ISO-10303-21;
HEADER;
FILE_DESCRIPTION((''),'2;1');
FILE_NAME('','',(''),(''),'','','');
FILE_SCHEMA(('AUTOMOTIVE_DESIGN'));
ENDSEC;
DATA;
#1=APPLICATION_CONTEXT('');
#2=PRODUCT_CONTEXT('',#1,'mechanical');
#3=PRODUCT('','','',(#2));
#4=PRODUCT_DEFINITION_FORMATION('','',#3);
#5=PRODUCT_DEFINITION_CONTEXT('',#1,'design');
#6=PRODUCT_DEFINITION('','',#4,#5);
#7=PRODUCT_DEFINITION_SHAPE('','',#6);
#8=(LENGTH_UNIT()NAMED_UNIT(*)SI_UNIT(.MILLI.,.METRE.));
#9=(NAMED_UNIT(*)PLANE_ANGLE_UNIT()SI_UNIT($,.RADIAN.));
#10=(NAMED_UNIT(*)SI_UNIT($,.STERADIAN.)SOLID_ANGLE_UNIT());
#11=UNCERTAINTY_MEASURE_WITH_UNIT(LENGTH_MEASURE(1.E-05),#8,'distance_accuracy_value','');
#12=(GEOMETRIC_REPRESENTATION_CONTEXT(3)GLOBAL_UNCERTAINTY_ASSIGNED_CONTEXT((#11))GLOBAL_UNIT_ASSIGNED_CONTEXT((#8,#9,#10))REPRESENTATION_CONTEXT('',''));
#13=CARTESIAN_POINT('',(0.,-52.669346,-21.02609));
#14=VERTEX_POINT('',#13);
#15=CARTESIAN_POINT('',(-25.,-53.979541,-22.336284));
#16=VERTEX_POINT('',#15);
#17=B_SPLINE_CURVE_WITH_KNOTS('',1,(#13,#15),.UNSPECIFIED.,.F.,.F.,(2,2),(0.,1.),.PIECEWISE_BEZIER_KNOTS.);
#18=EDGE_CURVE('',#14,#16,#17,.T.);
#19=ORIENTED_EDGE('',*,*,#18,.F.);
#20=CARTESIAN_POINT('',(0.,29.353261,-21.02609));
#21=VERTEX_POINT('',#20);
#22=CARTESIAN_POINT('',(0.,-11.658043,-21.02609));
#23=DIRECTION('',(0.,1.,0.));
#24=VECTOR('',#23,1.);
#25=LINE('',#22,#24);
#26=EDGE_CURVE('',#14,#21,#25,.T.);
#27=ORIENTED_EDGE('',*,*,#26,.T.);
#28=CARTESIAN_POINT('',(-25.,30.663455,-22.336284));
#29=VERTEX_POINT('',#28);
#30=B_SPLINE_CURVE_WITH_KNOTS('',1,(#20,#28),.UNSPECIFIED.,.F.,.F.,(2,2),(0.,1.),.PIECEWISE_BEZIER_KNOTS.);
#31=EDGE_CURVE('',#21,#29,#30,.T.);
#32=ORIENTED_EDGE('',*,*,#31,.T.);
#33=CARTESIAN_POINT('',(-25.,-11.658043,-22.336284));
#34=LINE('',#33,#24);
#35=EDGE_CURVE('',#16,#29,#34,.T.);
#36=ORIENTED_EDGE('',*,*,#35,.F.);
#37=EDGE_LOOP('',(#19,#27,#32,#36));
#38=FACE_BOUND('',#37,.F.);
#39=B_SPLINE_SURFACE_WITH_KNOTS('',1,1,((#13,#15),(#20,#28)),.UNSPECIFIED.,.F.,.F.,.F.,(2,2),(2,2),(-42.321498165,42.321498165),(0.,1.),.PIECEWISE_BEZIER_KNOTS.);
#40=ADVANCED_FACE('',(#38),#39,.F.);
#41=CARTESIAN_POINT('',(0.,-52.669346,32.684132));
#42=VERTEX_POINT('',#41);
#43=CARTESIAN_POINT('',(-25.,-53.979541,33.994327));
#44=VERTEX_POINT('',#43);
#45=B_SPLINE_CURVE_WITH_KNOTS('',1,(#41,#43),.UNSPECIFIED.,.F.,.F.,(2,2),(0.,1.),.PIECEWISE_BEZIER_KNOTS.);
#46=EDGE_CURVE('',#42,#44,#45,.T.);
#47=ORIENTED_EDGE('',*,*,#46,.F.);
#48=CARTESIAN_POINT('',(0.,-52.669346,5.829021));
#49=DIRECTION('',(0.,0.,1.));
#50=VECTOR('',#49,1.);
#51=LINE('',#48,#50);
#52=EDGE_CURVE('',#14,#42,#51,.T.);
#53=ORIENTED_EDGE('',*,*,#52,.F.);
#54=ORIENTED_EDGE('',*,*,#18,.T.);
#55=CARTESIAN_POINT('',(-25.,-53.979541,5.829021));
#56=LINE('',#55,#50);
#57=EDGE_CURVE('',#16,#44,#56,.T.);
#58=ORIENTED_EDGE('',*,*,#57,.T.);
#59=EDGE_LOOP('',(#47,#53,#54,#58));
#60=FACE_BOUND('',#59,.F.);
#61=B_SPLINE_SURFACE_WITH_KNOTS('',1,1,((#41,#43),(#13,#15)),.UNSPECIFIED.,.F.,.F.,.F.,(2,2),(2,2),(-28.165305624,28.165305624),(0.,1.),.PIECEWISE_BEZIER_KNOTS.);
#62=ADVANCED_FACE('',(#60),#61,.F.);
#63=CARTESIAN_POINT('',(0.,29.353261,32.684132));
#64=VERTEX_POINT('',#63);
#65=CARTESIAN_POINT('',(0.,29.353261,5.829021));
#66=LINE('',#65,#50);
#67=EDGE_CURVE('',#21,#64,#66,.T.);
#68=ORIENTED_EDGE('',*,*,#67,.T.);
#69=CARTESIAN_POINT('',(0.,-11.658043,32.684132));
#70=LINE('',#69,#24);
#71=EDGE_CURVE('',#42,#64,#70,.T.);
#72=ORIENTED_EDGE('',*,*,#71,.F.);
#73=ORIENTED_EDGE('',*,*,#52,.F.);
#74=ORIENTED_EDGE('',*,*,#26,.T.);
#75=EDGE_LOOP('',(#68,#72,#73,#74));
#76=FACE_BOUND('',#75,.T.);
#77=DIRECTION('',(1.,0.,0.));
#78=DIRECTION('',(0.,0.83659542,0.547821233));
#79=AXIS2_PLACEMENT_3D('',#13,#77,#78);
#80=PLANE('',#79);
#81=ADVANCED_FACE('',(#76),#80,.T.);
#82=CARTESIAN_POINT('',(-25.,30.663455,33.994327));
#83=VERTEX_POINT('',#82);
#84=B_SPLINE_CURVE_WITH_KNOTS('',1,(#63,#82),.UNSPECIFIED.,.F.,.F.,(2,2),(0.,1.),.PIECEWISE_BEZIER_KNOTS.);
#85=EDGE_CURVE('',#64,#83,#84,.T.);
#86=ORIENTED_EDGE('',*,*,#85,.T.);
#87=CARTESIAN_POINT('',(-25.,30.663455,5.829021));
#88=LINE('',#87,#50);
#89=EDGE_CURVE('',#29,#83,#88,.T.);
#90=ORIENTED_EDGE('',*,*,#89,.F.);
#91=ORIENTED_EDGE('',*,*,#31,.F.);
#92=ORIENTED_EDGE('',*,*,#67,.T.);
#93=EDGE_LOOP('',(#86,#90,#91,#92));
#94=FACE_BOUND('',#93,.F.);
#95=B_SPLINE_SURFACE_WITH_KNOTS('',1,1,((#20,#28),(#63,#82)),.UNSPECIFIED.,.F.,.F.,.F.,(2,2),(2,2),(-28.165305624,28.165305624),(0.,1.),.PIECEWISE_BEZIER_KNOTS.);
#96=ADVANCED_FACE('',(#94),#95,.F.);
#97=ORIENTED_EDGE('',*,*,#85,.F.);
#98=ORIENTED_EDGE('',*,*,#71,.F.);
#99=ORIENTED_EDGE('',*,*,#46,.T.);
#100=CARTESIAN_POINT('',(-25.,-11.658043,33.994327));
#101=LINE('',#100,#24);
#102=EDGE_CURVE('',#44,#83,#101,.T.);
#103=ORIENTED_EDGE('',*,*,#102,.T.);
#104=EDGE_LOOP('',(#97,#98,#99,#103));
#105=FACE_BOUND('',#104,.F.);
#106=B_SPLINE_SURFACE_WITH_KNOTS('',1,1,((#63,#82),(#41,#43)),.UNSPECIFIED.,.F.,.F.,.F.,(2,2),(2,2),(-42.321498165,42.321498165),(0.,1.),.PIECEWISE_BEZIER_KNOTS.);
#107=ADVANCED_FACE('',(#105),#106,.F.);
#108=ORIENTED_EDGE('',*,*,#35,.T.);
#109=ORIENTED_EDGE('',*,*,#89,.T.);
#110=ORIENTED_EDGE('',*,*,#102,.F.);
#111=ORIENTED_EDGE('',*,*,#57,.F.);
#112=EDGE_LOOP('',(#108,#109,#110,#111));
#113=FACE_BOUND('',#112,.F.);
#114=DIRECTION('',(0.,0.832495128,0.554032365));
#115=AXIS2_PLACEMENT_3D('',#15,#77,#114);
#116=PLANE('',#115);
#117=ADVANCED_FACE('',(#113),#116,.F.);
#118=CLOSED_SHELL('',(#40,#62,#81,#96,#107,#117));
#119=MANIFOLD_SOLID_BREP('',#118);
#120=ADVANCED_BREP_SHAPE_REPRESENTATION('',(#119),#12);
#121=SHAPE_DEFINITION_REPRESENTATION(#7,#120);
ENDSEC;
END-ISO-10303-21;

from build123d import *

# Parameters (mm, degrees)
F0_W     = 82.0226073265
F0_H     = 53.7102222443
F1_DEPTH = 25.0000003725
F1_TAPER = -3


with BuildPart() as f1:
    # F0 (on Right) → F1 (new body)
    with BuildSketch(Plane.YZ):
        with Locations((-11.6580426693, 5.8290213346)):
            Rectangle(F0_W, F0_H)
    extrude(amount=-F1_DEPTH, taper=F1_TAPER)


solid = f1.part
